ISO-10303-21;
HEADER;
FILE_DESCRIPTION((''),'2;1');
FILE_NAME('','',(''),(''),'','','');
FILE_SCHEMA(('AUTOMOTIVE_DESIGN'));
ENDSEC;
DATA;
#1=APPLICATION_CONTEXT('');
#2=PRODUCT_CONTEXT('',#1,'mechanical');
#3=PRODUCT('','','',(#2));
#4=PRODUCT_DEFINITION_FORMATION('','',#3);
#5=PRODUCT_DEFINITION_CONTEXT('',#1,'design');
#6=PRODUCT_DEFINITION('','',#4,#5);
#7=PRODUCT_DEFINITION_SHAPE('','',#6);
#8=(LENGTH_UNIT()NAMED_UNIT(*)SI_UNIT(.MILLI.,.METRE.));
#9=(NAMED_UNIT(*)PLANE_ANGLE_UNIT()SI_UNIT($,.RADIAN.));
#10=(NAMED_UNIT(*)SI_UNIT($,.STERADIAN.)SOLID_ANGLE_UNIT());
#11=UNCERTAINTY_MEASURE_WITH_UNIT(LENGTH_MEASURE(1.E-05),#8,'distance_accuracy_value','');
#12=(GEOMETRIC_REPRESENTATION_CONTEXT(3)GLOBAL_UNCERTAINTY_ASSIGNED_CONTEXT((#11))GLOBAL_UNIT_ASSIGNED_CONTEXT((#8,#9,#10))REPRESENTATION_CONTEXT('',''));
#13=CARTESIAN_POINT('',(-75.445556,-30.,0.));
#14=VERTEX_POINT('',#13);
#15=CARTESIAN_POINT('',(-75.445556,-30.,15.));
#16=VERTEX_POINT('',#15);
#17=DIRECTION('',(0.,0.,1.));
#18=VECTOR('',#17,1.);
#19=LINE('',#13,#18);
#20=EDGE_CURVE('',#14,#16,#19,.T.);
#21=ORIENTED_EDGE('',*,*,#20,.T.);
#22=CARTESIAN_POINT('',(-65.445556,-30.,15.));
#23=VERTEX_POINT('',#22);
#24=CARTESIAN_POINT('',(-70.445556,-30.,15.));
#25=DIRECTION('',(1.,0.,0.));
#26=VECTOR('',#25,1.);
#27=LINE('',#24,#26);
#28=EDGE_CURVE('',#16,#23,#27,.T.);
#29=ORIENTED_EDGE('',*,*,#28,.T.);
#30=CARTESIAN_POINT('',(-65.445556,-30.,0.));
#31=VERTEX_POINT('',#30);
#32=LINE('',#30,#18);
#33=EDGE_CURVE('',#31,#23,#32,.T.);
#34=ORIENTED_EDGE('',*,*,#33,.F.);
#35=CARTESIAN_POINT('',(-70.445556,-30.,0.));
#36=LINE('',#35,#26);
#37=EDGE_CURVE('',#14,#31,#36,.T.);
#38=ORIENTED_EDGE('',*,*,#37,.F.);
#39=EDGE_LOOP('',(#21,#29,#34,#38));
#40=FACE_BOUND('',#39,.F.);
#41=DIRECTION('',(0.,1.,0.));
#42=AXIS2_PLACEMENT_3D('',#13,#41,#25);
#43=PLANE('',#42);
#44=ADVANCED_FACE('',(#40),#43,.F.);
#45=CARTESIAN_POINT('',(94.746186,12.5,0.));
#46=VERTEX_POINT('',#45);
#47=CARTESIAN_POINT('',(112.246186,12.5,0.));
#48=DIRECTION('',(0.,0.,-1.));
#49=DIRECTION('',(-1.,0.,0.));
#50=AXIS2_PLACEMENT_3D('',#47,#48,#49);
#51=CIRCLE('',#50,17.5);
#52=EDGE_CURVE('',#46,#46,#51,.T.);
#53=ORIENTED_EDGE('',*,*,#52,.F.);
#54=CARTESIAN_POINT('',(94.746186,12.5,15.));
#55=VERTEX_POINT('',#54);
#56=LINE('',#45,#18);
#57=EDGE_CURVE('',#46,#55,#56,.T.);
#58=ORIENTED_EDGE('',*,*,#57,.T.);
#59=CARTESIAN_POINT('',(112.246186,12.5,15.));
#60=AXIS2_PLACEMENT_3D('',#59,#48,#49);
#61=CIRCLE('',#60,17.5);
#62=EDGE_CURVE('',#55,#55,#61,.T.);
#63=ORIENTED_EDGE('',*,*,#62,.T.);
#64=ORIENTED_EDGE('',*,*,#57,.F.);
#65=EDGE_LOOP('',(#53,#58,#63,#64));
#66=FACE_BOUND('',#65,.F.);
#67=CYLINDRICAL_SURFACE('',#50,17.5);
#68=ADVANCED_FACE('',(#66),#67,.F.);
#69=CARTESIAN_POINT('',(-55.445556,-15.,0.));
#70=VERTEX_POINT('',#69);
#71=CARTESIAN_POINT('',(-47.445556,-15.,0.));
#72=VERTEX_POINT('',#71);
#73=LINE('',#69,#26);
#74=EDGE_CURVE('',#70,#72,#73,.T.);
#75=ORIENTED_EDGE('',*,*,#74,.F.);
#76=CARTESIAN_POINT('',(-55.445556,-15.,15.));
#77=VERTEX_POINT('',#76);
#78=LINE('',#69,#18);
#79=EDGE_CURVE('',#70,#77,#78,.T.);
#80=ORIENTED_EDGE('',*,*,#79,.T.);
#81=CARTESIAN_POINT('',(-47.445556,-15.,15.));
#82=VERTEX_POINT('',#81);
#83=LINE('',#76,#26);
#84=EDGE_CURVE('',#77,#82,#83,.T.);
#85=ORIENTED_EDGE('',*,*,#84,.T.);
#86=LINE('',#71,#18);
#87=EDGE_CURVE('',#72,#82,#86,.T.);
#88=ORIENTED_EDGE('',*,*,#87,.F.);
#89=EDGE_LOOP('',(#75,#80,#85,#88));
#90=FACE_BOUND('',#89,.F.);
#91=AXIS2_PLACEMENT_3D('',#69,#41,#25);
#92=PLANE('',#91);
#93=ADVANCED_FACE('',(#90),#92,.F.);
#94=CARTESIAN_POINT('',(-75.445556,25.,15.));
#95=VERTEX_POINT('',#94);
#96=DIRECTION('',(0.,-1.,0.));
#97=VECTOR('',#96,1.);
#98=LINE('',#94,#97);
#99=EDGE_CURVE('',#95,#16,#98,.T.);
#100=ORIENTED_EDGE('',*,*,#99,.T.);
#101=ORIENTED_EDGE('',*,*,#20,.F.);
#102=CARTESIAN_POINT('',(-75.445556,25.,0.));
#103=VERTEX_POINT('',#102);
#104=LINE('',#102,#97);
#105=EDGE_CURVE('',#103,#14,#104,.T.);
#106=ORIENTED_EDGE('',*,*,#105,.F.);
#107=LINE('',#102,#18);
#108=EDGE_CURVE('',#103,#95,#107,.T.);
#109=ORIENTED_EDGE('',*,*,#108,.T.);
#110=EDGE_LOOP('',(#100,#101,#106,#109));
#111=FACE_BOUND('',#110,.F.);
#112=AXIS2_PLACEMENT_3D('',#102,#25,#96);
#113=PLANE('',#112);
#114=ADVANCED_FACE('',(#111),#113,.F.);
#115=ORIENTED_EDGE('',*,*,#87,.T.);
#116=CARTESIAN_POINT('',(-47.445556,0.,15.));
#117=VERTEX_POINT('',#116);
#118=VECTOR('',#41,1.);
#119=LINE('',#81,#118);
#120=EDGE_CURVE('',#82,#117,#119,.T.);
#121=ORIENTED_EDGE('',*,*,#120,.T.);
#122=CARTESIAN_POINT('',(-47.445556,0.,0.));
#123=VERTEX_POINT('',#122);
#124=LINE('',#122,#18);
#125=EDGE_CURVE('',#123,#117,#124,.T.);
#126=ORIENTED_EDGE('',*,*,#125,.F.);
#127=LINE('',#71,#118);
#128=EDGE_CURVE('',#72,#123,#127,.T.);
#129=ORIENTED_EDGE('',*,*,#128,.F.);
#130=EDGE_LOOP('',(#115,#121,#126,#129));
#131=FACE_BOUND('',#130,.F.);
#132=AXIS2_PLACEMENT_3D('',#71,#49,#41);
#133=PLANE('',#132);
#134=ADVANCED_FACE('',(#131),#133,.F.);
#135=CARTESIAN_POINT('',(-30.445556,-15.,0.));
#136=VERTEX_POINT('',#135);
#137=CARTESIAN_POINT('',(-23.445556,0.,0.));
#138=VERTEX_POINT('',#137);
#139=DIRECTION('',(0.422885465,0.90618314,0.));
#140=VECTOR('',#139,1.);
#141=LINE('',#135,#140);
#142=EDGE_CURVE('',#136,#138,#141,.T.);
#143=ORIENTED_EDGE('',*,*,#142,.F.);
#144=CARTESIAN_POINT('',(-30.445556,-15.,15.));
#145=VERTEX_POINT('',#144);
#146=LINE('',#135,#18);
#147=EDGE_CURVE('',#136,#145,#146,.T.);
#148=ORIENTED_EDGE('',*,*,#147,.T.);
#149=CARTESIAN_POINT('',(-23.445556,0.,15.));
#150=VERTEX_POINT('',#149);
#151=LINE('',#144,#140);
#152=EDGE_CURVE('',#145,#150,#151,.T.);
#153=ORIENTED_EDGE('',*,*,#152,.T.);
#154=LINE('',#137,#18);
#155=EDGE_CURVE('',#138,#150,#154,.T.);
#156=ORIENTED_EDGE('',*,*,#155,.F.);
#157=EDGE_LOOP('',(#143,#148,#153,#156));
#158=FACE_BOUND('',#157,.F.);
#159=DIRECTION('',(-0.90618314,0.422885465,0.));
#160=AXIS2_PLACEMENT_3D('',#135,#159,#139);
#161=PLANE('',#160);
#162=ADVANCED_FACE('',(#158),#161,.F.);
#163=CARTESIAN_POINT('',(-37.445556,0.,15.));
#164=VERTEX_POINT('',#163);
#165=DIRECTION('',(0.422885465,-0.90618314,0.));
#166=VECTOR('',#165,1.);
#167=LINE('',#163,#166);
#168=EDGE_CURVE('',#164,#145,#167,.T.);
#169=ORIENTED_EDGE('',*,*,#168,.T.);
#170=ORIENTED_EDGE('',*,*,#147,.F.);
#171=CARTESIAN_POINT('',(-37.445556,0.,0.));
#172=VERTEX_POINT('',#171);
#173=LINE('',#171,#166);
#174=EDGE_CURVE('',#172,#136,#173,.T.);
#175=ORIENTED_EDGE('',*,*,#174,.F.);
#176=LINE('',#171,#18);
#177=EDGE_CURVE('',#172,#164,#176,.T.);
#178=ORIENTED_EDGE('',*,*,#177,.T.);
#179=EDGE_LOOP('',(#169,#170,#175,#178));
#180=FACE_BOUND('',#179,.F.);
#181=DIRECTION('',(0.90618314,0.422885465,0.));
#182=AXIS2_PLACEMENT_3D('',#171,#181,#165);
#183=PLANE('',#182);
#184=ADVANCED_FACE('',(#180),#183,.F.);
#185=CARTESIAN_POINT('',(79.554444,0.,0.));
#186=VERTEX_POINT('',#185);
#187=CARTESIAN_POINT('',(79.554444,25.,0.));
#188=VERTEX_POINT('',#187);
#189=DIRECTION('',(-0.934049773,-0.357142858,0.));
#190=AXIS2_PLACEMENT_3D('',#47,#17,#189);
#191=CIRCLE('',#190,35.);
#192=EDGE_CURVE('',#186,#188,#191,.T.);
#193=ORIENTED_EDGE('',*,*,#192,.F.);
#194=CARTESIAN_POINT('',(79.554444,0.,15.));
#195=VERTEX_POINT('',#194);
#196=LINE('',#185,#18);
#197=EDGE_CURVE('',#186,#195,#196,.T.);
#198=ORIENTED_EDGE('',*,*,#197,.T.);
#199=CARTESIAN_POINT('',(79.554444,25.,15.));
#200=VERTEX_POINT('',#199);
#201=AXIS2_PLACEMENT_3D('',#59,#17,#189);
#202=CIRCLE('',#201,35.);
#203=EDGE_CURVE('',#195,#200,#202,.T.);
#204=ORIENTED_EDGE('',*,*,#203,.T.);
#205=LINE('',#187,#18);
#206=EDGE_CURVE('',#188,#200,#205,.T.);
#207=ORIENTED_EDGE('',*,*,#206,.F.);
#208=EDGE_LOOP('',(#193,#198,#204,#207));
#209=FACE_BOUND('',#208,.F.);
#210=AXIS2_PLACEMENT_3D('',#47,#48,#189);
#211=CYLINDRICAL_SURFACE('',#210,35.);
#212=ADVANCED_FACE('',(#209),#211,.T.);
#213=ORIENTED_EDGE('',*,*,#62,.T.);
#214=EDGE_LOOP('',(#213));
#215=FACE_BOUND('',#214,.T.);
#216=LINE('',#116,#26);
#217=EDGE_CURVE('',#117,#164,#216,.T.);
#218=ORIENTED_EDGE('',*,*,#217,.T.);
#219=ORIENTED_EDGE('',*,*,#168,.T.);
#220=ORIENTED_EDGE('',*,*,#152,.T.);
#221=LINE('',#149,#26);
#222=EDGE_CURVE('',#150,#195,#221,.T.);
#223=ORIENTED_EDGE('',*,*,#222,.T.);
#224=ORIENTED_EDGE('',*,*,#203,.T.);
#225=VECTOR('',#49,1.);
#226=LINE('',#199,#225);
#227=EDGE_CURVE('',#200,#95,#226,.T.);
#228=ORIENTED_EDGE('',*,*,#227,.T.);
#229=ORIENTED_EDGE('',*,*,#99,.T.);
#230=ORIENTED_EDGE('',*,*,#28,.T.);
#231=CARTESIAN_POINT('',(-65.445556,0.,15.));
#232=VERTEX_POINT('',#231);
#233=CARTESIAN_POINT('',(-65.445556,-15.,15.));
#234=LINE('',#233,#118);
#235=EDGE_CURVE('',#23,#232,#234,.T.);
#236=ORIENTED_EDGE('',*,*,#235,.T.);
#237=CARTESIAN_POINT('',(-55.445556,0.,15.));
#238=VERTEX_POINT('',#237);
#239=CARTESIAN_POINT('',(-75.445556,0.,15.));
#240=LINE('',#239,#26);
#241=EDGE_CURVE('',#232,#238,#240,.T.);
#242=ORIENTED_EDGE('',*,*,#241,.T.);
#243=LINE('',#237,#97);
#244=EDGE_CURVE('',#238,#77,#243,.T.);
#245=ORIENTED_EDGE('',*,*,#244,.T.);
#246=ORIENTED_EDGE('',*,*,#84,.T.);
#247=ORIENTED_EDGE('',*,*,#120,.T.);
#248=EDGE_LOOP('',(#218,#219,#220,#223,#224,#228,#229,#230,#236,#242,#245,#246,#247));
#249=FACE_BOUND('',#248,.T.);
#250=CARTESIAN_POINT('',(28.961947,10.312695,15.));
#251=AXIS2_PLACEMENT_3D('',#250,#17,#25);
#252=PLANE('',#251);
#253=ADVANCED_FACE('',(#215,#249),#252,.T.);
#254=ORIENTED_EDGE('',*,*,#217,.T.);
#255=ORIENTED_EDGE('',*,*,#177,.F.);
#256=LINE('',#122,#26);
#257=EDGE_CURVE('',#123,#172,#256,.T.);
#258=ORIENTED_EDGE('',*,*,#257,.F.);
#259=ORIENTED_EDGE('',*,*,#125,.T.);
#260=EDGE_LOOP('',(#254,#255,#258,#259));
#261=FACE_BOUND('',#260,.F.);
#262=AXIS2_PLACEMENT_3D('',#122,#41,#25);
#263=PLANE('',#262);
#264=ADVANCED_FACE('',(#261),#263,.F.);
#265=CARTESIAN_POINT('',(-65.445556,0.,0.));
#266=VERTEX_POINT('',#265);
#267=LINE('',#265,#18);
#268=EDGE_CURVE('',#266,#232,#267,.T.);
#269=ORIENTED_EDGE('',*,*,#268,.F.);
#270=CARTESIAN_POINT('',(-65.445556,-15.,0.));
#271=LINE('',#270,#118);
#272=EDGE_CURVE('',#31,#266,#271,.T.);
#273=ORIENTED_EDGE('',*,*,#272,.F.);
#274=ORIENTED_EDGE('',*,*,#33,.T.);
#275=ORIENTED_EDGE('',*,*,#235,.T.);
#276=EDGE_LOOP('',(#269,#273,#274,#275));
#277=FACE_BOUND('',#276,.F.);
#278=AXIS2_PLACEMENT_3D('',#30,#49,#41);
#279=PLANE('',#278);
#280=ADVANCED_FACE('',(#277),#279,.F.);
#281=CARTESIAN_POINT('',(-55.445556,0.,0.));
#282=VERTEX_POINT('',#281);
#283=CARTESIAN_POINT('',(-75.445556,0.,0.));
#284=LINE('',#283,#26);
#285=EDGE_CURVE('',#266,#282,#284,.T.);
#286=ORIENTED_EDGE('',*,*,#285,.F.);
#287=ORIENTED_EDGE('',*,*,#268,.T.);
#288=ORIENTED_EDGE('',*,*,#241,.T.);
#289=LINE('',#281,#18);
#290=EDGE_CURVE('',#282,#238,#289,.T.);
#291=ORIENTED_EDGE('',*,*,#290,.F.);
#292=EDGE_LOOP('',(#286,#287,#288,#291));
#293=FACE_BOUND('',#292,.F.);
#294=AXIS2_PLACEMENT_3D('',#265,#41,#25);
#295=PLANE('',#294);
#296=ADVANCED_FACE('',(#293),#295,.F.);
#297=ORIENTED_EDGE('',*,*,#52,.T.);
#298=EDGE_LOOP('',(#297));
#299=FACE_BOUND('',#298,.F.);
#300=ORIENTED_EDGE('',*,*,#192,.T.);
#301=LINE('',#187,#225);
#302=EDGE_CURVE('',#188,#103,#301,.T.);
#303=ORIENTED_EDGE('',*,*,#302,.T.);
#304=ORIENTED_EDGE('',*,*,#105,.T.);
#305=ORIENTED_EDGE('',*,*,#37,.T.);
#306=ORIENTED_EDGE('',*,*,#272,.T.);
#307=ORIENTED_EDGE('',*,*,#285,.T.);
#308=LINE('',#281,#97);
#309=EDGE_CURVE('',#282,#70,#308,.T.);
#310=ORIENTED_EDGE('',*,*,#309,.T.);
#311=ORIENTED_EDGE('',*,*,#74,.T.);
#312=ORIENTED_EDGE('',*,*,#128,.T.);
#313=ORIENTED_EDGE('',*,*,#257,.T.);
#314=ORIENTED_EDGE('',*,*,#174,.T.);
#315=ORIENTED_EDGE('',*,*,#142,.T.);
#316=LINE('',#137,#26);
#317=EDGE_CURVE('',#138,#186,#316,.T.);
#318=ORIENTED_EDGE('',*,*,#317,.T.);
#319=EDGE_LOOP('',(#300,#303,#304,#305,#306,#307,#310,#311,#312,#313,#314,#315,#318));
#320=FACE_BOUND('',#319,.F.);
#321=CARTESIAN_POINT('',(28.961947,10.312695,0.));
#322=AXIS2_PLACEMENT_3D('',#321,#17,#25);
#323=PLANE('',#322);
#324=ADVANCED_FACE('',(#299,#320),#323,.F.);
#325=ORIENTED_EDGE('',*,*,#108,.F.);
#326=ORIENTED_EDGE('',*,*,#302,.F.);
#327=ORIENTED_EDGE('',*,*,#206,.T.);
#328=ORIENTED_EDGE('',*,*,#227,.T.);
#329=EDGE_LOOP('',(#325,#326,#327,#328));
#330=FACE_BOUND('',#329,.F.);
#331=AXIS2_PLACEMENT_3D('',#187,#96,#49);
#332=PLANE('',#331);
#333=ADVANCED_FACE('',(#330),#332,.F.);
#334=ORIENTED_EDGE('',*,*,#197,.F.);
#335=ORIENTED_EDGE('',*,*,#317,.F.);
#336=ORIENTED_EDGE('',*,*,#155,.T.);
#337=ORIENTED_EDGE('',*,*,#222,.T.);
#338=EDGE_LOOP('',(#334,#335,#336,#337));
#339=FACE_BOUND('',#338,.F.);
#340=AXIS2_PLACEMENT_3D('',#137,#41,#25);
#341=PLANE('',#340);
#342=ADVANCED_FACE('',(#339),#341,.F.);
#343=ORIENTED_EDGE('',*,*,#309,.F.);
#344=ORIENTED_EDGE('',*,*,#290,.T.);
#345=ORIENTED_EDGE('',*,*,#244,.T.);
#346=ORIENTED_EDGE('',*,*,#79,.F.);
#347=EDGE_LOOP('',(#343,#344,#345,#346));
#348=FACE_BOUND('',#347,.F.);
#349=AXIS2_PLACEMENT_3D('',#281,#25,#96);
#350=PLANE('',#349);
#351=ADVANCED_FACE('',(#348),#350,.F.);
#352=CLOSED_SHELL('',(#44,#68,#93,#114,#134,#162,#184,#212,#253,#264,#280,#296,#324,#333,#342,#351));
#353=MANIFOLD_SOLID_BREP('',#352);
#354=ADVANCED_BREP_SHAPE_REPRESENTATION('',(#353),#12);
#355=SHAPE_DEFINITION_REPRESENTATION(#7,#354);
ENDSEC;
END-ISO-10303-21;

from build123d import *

# Parameters (mm, degrees)
F0_W     = 10
F0_H     = 30
F1_DEPTH = 15


with BuildPart() as f1:
    # F0 (on Top) → F1 (new body)
    with BuildSketch(Plane.XY):
        with BuildLine():
            Line((79.554444, 25), (-75.445556, 25))
            Line((-75.445556, 25), (-75.445556, 12.5))
            Line((-75.445556, 12.5), (-75.445556, 0))
            Line((-75.445556, 0), (-65.445556, 0))
            Line((-65.445556, 0), (-55.445556, 0))
            Line((-55.445556, 0), (-55.445556, -15))
            Line((-55.445556, -15), (-47.445556, -15))
            Line((-47.445556, -15), (-47.445556, 0))
            Line((-47.445556, 0), (-37.445556, 0))
            Line((-37.445556, 0), (-30.445556, -15))
            Line((-30.445556, -15), (-23.445556, 0))
            Line((-23.445556, 0), (79.554444, 0))
            ThreePointArc((79.554444, 0), (147.246186, 12.5), (79.554444, 25))
        make_face()
        with BuildLine():
            ThreePointArc((129.746186, 12.5), (112.246186, -5), (94.746186, 12.5))
            ThreePointArc((94.746186, 12.5), (112.246186, 30), (129.746186, 12.5))
        make_face(mode=Mode.SUBTRACT)
        with Locations((-70.445556, -15)):
            Rectangle(F0_W, F0_H)
    extrude(amount=F1_DEPTH)


solid = f1.part
